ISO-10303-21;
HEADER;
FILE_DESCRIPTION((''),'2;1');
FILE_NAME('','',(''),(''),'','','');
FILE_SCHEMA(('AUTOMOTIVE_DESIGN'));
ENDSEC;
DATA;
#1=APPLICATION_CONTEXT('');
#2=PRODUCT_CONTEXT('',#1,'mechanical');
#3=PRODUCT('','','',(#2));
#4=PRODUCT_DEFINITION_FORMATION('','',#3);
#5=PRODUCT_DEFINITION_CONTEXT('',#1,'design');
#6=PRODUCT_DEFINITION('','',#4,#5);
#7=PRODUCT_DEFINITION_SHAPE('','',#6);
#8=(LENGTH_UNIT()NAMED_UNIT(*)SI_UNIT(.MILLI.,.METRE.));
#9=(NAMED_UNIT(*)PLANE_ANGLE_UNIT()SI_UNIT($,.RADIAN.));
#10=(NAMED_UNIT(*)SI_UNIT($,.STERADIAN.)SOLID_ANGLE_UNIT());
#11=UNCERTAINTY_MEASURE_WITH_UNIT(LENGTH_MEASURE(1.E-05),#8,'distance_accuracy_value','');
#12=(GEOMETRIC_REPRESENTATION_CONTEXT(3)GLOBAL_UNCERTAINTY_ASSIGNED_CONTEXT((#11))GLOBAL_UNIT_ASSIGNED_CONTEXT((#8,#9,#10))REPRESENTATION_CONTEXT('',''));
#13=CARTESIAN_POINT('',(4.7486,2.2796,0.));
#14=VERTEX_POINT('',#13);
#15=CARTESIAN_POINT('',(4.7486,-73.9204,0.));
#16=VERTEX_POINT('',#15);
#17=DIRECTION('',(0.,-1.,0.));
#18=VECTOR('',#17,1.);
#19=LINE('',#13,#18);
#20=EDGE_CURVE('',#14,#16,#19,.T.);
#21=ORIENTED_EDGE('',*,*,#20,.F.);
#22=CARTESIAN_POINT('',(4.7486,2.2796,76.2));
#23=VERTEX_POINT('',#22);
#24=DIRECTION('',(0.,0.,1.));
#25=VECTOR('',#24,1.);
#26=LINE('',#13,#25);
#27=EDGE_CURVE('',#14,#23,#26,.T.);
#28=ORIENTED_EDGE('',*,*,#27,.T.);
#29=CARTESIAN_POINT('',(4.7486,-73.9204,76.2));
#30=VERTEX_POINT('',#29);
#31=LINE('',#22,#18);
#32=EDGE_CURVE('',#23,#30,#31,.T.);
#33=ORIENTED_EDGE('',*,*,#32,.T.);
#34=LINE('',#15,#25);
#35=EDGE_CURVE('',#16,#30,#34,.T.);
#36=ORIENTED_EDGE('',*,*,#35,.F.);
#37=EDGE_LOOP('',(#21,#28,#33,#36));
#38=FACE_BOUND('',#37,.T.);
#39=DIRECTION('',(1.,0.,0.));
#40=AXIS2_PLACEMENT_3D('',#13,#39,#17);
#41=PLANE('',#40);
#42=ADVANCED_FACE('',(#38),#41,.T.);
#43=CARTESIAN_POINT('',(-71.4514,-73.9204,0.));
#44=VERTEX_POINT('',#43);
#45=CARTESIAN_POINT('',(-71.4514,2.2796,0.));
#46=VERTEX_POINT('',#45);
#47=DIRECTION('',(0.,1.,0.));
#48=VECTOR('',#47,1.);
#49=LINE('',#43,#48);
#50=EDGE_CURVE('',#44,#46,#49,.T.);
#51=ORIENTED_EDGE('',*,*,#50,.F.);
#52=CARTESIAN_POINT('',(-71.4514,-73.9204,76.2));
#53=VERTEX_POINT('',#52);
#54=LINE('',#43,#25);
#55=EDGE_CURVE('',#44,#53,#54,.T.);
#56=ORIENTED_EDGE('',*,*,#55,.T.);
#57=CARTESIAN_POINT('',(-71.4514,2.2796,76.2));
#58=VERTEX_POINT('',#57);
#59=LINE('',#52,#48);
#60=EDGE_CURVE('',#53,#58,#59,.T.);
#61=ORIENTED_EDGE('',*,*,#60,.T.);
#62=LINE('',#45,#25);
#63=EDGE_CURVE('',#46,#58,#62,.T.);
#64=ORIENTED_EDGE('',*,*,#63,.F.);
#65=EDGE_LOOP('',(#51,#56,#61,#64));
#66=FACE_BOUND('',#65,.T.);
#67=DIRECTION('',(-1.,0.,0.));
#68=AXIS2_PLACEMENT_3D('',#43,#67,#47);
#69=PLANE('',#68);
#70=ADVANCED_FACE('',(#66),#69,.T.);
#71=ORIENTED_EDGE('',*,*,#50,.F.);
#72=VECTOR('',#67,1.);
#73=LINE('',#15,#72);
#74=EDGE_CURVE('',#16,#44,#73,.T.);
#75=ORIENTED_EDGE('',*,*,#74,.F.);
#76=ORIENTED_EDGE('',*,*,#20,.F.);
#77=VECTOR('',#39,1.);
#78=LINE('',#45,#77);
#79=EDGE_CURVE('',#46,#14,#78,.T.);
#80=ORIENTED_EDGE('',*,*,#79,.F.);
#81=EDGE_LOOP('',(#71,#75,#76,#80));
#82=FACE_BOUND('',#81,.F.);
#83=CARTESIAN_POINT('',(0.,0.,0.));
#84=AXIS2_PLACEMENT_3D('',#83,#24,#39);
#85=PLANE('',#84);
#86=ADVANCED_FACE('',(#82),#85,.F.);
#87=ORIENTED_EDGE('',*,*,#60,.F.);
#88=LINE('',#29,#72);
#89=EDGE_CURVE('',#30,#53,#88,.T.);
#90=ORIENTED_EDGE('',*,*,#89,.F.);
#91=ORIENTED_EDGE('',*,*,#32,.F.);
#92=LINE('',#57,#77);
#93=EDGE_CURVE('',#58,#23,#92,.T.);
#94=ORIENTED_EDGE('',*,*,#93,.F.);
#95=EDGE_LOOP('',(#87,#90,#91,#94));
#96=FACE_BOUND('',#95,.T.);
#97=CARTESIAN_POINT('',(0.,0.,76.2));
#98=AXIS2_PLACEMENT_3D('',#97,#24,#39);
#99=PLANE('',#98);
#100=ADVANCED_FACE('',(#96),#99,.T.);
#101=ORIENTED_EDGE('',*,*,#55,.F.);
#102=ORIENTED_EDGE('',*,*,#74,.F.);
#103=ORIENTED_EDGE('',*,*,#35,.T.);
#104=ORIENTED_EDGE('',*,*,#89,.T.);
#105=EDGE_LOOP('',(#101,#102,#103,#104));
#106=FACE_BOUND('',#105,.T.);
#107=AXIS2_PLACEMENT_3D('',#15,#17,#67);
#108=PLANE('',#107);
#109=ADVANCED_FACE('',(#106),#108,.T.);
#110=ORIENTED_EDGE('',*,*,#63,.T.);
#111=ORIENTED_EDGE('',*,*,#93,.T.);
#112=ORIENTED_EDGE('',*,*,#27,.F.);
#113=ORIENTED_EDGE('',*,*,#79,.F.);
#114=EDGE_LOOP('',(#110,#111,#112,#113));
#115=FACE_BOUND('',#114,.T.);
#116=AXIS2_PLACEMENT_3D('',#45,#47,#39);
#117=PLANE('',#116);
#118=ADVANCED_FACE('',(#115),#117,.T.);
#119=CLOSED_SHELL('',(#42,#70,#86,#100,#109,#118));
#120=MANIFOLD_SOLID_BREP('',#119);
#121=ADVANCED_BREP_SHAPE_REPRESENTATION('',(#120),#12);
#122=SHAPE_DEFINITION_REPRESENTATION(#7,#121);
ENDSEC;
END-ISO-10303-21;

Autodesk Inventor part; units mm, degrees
ref_plane "YZ Plane" through (0, 0, 0) normal (1, 0, 0) x (0, 1, 0)
ref_plane "XZ Plane" through (0, 0, 0) normal (0, 1, 0) x (-1, 0, 0)
ref_plane "XY Plane" through (0, 0, 0) normal (0, 0, 1) x (1, 0, 0)
sketch "Sketch1" plane through (0, 0, 0) normal (0, 0, 1) x (1, 0, 0)
  line L0 (-71.4514, 2.2796) -> (4.7486, 2.2796)
  line L1 (4.7486, 2.2796) -> (4.7486, -73.9204)
  line L2 (4.7486, -73.9204) -> (-71.4514, -73.9204)
  line L3 (-71.4514, -73.9204) -> (-71.4514, 2.2796)
  dimension "d2" = 76.2
  dimension "d3" = 76.2
extrude "Extrusion1" add sketch "Sketch1" along normal blind 76.2
equation "\"d2\" = Length"
equation "\"d3\" = Height"
equation "\"d0\" = Width"
equation "\"Length\" = 76.2"
equation "\"Width\" = 76.2"
equation "\"Height\" = 76.2"
equation "\"L__\" = Length"
equation "\"W__\" = Width"
equation "\"H__\" = Height"
properties part number "box1"
